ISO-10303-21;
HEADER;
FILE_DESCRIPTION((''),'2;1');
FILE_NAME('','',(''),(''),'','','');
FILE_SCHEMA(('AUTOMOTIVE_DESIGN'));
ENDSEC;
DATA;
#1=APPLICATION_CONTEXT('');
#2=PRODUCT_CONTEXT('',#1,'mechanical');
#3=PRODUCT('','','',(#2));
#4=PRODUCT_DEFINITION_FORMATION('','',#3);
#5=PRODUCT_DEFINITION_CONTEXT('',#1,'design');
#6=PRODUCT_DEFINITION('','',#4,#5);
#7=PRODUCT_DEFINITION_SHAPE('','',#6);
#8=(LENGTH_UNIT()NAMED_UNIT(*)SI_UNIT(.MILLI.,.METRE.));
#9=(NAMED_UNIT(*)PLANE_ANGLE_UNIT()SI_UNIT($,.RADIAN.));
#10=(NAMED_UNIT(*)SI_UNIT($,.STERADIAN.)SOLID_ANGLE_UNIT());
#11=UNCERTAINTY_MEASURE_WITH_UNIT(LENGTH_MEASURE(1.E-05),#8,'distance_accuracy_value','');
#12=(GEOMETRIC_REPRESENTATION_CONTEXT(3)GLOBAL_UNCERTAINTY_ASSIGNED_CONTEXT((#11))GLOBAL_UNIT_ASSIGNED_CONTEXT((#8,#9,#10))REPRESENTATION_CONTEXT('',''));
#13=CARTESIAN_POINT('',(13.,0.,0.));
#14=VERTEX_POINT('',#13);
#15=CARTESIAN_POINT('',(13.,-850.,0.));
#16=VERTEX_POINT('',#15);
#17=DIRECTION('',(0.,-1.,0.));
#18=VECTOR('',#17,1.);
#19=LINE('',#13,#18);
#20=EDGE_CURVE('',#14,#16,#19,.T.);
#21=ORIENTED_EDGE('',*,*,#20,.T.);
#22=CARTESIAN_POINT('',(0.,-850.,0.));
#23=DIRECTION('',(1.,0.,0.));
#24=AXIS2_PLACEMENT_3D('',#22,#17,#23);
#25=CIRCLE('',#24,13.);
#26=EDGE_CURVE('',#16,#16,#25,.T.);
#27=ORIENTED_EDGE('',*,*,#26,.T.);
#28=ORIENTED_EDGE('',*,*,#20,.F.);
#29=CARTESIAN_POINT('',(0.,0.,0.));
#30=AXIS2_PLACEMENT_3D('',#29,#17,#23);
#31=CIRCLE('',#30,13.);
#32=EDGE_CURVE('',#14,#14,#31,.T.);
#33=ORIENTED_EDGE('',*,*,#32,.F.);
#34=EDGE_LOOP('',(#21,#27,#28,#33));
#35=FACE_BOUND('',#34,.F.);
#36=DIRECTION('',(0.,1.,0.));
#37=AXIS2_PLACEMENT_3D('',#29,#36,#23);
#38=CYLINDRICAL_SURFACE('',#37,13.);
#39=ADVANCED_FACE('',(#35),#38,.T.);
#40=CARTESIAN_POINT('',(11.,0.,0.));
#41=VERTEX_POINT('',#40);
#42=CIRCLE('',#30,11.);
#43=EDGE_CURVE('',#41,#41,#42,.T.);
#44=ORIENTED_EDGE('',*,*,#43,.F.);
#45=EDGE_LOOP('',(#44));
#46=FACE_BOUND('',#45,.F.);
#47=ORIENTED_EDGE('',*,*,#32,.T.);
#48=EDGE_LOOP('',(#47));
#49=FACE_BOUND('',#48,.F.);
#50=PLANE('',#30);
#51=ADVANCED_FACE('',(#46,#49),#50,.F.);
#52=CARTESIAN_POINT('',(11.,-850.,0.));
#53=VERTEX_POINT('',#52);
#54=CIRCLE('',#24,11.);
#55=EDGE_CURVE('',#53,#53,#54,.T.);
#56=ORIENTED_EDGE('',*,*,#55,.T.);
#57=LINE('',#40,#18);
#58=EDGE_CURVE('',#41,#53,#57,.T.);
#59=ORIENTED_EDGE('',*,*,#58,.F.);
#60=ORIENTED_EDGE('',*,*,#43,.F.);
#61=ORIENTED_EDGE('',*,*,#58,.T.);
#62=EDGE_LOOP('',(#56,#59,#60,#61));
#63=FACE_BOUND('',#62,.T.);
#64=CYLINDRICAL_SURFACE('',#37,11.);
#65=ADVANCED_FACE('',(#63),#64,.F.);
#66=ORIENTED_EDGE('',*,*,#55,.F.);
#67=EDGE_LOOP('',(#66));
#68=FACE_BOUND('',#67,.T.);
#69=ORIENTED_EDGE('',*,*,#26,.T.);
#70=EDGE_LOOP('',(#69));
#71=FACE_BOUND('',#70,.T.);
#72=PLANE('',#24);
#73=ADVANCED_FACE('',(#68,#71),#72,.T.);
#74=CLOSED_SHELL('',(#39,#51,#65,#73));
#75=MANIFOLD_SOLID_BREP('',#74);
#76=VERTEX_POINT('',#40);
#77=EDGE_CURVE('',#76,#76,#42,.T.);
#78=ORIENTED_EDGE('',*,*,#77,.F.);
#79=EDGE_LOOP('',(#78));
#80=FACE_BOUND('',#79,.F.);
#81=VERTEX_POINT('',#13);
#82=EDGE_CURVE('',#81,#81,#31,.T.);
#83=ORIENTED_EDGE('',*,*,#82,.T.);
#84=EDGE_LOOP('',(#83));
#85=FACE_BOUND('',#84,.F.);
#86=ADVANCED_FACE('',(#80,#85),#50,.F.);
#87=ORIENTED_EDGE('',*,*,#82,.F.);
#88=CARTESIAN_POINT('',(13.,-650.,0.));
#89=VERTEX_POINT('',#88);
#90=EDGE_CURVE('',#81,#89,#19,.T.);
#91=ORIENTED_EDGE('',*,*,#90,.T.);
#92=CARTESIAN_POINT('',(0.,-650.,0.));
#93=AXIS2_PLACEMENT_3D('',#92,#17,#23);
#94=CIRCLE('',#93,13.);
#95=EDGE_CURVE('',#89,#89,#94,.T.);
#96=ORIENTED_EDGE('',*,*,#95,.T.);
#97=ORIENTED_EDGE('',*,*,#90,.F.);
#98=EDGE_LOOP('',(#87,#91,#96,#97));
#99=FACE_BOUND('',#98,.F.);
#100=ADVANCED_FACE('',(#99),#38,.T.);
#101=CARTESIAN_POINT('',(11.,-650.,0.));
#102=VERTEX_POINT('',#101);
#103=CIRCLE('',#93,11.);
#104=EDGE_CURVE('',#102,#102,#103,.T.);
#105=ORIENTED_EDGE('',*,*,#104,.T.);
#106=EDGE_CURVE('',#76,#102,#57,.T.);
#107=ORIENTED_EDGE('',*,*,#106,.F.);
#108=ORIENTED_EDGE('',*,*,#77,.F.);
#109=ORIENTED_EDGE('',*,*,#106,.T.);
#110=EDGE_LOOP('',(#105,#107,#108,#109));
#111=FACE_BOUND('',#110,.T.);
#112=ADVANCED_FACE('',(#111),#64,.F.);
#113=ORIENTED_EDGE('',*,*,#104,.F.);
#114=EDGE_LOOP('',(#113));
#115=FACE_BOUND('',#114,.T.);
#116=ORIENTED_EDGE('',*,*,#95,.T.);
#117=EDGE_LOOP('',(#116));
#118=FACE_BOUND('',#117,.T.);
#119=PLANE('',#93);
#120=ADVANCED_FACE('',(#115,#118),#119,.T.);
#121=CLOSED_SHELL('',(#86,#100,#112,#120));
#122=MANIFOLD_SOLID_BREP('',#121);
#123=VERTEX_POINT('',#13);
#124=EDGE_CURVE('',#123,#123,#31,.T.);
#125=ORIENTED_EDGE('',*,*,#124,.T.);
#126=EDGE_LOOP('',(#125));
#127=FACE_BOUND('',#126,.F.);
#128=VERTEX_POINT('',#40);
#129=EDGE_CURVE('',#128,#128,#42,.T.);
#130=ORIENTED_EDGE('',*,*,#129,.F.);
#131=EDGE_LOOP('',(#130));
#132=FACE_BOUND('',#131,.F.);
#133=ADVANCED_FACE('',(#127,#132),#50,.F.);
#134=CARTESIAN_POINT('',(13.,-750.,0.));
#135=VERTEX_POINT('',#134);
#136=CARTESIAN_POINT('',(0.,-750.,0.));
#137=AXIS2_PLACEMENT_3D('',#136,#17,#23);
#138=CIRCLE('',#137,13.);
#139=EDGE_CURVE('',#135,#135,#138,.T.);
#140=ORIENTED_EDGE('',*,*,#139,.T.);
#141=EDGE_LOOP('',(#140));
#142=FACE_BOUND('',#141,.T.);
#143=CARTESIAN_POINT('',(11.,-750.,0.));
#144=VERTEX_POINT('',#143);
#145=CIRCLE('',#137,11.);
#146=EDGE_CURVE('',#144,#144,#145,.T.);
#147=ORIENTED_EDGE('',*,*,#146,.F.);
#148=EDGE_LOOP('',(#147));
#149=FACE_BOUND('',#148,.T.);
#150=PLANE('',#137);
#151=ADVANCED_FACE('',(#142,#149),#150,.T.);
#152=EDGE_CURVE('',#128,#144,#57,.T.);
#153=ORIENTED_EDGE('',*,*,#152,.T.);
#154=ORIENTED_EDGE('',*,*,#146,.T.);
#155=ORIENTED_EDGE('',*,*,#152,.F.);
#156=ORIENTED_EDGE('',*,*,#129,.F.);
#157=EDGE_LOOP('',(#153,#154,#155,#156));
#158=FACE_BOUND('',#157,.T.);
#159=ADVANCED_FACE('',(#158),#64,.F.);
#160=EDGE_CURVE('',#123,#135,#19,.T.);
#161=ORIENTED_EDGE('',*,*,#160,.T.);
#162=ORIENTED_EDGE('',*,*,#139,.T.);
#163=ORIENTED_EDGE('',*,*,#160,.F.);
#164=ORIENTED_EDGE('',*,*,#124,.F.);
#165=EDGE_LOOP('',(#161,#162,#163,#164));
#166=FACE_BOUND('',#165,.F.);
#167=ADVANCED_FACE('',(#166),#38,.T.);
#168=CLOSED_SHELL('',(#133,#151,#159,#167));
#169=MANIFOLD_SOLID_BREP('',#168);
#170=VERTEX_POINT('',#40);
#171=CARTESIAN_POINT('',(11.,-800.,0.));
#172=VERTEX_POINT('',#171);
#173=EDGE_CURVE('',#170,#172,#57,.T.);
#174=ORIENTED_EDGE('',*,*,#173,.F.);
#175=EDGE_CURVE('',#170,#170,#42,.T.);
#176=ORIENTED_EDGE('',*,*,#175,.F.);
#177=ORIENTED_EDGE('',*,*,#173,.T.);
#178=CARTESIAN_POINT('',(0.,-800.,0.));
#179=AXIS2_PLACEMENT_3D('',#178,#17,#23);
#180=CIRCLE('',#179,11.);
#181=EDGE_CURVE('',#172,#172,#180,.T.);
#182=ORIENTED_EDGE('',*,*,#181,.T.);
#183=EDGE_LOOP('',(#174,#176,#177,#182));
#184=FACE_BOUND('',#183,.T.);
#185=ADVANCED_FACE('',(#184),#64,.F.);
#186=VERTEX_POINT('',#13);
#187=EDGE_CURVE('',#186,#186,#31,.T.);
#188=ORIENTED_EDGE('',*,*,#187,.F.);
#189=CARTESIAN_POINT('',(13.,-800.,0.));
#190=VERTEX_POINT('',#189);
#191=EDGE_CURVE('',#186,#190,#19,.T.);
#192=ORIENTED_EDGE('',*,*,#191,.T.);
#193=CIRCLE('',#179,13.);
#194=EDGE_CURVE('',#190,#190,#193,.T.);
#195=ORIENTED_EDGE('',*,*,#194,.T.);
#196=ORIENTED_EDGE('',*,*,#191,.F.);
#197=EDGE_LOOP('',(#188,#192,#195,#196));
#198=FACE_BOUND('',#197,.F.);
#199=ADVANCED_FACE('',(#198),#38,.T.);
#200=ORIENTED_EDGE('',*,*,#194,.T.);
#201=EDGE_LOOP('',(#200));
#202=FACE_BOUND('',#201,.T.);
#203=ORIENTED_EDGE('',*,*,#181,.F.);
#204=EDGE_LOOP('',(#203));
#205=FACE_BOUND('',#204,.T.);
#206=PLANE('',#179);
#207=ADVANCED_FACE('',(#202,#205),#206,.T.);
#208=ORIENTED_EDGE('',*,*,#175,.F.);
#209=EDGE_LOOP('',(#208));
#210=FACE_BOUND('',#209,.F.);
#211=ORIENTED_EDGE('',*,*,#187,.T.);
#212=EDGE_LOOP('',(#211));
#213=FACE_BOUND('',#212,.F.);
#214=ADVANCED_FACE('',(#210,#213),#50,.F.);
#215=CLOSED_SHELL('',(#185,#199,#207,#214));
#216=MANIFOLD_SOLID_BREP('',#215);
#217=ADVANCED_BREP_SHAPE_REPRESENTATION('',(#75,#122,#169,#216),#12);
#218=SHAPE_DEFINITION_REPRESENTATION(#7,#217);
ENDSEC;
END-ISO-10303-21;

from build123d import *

# Parameters (mm, degrees)
F0_R     = 13
F0_R_2   = 11
F1_DEPTH = 800
F2_DEPTH = 750
F3_DEPTH = 850
F4_DEPTH = 650


with BuildPart() as f1:
    # F0 (on Front) → F1 (new body)
    with BuildSketch(Plane.XZ):
        Circle(F0_R)
        Circle(F0_R_2, mode=Mode.SUBTRACT)
    extrude(amount=F1_DEPTH)


with BuildPart() as f2:
    # F0 (on Front) → F2 (new body)
    with BuildSketch(Plane.XZ):
        Circle(F0_R)
        Circle(F0_R_2, mode=Mode.SUBTRACT)
    extrude(amount=F2_DEPTH)


with BuildPart() as f3:
    # F0 (on Front) → F3 (new body)
    with BuildSketch(Plane.XZ):
        Circle(F0_R)
        Circle(F0_R_2, mode=Mode.SUBTRACT)
    extrude(amount=F3_DEPTH)


with BuildPart() as f4:
    # F0 (on Front) → F4 (new body)
    with BuildSketch(Plane.XZ):
        Circle(F0_R)
        Circle(F0_R_2, mode=Mode.SUBTRACT)
    extrude(amount=F4_DEPTH)


solid = Compound([f1.part, f2.part, f3.part, f4.part])
